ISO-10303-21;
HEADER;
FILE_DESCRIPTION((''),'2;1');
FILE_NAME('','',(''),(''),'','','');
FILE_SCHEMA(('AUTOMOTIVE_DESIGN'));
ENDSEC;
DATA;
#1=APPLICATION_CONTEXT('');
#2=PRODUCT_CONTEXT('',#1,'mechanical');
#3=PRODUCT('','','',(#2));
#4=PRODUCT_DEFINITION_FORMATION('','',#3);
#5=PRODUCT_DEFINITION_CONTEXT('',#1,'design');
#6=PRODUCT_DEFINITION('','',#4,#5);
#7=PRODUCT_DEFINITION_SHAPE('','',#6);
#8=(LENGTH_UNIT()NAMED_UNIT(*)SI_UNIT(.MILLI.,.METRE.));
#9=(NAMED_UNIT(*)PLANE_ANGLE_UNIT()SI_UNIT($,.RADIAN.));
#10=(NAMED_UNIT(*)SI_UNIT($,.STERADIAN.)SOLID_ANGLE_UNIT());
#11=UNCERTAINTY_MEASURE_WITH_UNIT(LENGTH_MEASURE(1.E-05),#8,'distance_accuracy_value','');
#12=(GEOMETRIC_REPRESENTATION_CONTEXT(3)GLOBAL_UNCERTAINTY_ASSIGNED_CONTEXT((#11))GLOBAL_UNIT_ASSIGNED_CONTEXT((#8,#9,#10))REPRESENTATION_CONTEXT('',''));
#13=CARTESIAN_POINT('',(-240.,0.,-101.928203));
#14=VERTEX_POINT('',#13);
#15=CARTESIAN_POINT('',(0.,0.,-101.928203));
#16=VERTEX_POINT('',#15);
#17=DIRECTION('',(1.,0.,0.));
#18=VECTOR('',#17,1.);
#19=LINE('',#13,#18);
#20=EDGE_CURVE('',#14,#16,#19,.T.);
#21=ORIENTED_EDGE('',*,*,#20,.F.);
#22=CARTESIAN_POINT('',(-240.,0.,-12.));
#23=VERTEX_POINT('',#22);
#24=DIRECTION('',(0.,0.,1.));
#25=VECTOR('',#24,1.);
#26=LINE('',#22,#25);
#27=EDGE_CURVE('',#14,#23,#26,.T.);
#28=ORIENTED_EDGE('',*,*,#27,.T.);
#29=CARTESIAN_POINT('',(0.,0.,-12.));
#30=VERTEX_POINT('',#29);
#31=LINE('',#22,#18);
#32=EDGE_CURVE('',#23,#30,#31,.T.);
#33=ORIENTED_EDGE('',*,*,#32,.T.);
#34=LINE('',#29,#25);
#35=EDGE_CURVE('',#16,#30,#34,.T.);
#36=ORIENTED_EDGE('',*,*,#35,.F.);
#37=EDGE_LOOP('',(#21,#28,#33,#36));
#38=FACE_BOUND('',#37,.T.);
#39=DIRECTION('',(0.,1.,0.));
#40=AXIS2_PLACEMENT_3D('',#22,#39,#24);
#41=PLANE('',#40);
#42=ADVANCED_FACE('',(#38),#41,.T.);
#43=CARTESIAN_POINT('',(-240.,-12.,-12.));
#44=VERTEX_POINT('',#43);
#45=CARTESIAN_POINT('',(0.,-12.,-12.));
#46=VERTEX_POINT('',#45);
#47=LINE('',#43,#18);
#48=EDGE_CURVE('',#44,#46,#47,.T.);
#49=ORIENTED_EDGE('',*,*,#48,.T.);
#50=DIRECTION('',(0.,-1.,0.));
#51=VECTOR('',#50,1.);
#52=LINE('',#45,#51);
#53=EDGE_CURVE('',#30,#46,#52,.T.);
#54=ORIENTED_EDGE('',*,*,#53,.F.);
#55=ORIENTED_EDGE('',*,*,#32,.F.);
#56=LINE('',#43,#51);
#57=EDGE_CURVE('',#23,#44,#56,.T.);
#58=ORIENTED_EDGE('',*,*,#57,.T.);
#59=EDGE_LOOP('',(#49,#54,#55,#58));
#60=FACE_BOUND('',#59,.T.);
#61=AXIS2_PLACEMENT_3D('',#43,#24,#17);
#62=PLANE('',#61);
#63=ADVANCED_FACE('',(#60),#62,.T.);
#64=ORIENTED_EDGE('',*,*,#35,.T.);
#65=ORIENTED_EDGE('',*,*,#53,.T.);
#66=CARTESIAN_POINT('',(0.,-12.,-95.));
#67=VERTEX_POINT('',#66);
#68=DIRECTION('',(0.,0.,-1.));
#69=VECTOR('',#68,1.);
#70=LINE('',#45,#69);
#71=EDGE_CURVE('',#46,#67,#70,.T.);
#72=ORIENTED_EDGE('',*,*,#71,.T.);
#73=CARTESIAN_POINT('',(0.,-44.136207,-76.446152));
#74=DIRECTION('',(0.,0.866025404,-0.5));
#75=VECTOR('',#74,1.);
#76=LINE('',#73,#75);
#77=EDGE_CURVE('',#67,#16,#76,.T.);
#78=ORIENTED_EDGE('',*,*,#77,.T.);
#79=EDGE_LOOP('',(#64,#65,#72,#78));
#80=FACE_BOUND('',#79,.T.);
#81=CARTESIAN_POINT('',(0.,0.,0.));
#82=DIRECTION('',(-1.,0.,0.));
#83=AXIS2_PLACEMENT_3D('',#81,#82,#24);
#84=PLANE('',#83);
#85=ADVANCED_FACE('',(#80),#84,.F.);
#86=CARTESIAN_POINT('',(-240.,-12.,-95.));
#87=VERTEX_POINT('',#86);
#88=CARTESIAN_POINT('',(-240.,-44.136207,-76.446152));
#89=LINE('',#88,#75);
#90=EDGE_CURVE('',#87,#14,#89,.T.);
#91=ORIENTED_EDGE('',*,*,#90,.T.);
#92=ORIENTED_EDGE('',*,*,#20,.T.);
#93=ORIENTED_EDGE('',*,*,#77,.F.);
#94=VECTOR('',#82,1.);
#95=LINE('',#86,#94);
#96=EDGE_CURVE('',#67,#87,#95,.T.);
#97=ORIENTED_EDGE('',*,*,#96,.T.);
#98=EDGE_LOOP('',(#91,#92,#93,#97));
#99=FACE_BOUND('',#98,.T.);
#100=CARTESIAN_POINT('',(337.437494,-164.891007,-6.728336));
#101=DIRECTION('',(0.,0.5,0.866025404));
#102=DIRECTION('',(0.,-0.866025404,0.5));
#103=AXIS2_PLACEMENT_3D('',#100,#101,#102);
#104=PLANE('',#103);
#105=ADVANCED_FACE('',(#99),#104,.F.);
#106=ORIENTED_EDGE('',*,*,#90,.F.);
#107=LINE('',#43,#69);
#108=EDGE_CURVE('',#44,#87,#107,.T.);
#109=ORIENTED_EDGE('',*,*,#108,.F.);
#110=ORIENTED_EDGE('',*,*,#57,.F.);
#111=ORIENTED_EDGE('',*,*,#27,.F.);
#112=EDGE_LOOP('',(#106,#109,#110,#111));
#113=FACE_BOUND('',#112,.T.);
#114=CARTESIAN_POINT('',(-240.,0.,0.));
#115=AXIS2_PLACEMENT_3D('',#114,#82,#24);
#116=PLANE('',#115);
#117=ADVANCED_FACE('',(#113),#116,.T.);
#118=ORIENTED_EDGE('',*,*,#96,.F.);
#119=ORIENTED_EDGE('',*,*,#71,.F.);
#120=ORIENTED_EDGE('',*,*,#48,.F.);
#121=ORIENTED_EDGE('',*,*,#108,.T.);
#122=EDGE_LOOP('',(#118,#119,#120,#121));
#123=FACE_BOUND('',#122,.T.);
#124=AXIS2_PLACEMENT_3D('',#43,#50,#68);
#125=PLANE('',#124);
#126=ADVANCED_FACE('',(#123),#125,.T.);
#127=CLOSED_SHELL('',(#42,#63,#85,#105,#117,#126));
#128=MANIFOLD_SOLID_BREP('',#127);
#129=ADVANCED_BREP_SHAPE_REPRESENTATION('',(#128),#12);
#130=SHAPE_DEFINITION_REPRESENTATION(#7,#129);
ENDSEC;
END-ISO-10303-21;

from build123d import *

# Parameters (mm, degrees)
SKETCH1_W               = 123
SKETCH1_H               = 12
BOSS_EXTRUDE1_DEPTH     = 240
CUT_EXTRUDE1_DEPTH      = 1
CUT_EXTRUDE1_DEPTH_BACK = 241


with BuildPart() as part:
    # Sketch1 → Boss-Extrude1 (new body)
    with BuildSketch(Plane(origin=(0, 0, 0), x_dir=(0, 0, -1), z_dir=(1, 0, 0))):
        with Locations((73.5, -6)):
            Rectangle(SKETCH1_W, SKETCH1_H)
    extrude(amount=-BOSS_EXTRUDE1_DEPTH)

    # Sketch2 → Cut-Extrude1 (cut, two sides)
    with BuildSketch(Plane(origin=(0, -198.236323208, -222.140507253), x_dir=(0, 0, -1), z_dir=(1, 0, 0))) as cut_extrude1_sk:
        Polygon((-429.320437804, -337.154669534), (-215.412171162, 33.34531645), (-115.125850584, 207.046318995), (98.782416059, 577.546304979), (839.782388026, 149.729771694), (311.679534163, -764.971202819), align=None)
    extrude(amount=CUT_EXTRUDE1_DEPTH, mode=Mode.SUBTRACT)
    extrude(cut_extrude1_sk.sketch, amount=-CUT_EXTRUDE1_DEPTH_BACK, mode=Mode.SUBTRACT)


solid = part.part
